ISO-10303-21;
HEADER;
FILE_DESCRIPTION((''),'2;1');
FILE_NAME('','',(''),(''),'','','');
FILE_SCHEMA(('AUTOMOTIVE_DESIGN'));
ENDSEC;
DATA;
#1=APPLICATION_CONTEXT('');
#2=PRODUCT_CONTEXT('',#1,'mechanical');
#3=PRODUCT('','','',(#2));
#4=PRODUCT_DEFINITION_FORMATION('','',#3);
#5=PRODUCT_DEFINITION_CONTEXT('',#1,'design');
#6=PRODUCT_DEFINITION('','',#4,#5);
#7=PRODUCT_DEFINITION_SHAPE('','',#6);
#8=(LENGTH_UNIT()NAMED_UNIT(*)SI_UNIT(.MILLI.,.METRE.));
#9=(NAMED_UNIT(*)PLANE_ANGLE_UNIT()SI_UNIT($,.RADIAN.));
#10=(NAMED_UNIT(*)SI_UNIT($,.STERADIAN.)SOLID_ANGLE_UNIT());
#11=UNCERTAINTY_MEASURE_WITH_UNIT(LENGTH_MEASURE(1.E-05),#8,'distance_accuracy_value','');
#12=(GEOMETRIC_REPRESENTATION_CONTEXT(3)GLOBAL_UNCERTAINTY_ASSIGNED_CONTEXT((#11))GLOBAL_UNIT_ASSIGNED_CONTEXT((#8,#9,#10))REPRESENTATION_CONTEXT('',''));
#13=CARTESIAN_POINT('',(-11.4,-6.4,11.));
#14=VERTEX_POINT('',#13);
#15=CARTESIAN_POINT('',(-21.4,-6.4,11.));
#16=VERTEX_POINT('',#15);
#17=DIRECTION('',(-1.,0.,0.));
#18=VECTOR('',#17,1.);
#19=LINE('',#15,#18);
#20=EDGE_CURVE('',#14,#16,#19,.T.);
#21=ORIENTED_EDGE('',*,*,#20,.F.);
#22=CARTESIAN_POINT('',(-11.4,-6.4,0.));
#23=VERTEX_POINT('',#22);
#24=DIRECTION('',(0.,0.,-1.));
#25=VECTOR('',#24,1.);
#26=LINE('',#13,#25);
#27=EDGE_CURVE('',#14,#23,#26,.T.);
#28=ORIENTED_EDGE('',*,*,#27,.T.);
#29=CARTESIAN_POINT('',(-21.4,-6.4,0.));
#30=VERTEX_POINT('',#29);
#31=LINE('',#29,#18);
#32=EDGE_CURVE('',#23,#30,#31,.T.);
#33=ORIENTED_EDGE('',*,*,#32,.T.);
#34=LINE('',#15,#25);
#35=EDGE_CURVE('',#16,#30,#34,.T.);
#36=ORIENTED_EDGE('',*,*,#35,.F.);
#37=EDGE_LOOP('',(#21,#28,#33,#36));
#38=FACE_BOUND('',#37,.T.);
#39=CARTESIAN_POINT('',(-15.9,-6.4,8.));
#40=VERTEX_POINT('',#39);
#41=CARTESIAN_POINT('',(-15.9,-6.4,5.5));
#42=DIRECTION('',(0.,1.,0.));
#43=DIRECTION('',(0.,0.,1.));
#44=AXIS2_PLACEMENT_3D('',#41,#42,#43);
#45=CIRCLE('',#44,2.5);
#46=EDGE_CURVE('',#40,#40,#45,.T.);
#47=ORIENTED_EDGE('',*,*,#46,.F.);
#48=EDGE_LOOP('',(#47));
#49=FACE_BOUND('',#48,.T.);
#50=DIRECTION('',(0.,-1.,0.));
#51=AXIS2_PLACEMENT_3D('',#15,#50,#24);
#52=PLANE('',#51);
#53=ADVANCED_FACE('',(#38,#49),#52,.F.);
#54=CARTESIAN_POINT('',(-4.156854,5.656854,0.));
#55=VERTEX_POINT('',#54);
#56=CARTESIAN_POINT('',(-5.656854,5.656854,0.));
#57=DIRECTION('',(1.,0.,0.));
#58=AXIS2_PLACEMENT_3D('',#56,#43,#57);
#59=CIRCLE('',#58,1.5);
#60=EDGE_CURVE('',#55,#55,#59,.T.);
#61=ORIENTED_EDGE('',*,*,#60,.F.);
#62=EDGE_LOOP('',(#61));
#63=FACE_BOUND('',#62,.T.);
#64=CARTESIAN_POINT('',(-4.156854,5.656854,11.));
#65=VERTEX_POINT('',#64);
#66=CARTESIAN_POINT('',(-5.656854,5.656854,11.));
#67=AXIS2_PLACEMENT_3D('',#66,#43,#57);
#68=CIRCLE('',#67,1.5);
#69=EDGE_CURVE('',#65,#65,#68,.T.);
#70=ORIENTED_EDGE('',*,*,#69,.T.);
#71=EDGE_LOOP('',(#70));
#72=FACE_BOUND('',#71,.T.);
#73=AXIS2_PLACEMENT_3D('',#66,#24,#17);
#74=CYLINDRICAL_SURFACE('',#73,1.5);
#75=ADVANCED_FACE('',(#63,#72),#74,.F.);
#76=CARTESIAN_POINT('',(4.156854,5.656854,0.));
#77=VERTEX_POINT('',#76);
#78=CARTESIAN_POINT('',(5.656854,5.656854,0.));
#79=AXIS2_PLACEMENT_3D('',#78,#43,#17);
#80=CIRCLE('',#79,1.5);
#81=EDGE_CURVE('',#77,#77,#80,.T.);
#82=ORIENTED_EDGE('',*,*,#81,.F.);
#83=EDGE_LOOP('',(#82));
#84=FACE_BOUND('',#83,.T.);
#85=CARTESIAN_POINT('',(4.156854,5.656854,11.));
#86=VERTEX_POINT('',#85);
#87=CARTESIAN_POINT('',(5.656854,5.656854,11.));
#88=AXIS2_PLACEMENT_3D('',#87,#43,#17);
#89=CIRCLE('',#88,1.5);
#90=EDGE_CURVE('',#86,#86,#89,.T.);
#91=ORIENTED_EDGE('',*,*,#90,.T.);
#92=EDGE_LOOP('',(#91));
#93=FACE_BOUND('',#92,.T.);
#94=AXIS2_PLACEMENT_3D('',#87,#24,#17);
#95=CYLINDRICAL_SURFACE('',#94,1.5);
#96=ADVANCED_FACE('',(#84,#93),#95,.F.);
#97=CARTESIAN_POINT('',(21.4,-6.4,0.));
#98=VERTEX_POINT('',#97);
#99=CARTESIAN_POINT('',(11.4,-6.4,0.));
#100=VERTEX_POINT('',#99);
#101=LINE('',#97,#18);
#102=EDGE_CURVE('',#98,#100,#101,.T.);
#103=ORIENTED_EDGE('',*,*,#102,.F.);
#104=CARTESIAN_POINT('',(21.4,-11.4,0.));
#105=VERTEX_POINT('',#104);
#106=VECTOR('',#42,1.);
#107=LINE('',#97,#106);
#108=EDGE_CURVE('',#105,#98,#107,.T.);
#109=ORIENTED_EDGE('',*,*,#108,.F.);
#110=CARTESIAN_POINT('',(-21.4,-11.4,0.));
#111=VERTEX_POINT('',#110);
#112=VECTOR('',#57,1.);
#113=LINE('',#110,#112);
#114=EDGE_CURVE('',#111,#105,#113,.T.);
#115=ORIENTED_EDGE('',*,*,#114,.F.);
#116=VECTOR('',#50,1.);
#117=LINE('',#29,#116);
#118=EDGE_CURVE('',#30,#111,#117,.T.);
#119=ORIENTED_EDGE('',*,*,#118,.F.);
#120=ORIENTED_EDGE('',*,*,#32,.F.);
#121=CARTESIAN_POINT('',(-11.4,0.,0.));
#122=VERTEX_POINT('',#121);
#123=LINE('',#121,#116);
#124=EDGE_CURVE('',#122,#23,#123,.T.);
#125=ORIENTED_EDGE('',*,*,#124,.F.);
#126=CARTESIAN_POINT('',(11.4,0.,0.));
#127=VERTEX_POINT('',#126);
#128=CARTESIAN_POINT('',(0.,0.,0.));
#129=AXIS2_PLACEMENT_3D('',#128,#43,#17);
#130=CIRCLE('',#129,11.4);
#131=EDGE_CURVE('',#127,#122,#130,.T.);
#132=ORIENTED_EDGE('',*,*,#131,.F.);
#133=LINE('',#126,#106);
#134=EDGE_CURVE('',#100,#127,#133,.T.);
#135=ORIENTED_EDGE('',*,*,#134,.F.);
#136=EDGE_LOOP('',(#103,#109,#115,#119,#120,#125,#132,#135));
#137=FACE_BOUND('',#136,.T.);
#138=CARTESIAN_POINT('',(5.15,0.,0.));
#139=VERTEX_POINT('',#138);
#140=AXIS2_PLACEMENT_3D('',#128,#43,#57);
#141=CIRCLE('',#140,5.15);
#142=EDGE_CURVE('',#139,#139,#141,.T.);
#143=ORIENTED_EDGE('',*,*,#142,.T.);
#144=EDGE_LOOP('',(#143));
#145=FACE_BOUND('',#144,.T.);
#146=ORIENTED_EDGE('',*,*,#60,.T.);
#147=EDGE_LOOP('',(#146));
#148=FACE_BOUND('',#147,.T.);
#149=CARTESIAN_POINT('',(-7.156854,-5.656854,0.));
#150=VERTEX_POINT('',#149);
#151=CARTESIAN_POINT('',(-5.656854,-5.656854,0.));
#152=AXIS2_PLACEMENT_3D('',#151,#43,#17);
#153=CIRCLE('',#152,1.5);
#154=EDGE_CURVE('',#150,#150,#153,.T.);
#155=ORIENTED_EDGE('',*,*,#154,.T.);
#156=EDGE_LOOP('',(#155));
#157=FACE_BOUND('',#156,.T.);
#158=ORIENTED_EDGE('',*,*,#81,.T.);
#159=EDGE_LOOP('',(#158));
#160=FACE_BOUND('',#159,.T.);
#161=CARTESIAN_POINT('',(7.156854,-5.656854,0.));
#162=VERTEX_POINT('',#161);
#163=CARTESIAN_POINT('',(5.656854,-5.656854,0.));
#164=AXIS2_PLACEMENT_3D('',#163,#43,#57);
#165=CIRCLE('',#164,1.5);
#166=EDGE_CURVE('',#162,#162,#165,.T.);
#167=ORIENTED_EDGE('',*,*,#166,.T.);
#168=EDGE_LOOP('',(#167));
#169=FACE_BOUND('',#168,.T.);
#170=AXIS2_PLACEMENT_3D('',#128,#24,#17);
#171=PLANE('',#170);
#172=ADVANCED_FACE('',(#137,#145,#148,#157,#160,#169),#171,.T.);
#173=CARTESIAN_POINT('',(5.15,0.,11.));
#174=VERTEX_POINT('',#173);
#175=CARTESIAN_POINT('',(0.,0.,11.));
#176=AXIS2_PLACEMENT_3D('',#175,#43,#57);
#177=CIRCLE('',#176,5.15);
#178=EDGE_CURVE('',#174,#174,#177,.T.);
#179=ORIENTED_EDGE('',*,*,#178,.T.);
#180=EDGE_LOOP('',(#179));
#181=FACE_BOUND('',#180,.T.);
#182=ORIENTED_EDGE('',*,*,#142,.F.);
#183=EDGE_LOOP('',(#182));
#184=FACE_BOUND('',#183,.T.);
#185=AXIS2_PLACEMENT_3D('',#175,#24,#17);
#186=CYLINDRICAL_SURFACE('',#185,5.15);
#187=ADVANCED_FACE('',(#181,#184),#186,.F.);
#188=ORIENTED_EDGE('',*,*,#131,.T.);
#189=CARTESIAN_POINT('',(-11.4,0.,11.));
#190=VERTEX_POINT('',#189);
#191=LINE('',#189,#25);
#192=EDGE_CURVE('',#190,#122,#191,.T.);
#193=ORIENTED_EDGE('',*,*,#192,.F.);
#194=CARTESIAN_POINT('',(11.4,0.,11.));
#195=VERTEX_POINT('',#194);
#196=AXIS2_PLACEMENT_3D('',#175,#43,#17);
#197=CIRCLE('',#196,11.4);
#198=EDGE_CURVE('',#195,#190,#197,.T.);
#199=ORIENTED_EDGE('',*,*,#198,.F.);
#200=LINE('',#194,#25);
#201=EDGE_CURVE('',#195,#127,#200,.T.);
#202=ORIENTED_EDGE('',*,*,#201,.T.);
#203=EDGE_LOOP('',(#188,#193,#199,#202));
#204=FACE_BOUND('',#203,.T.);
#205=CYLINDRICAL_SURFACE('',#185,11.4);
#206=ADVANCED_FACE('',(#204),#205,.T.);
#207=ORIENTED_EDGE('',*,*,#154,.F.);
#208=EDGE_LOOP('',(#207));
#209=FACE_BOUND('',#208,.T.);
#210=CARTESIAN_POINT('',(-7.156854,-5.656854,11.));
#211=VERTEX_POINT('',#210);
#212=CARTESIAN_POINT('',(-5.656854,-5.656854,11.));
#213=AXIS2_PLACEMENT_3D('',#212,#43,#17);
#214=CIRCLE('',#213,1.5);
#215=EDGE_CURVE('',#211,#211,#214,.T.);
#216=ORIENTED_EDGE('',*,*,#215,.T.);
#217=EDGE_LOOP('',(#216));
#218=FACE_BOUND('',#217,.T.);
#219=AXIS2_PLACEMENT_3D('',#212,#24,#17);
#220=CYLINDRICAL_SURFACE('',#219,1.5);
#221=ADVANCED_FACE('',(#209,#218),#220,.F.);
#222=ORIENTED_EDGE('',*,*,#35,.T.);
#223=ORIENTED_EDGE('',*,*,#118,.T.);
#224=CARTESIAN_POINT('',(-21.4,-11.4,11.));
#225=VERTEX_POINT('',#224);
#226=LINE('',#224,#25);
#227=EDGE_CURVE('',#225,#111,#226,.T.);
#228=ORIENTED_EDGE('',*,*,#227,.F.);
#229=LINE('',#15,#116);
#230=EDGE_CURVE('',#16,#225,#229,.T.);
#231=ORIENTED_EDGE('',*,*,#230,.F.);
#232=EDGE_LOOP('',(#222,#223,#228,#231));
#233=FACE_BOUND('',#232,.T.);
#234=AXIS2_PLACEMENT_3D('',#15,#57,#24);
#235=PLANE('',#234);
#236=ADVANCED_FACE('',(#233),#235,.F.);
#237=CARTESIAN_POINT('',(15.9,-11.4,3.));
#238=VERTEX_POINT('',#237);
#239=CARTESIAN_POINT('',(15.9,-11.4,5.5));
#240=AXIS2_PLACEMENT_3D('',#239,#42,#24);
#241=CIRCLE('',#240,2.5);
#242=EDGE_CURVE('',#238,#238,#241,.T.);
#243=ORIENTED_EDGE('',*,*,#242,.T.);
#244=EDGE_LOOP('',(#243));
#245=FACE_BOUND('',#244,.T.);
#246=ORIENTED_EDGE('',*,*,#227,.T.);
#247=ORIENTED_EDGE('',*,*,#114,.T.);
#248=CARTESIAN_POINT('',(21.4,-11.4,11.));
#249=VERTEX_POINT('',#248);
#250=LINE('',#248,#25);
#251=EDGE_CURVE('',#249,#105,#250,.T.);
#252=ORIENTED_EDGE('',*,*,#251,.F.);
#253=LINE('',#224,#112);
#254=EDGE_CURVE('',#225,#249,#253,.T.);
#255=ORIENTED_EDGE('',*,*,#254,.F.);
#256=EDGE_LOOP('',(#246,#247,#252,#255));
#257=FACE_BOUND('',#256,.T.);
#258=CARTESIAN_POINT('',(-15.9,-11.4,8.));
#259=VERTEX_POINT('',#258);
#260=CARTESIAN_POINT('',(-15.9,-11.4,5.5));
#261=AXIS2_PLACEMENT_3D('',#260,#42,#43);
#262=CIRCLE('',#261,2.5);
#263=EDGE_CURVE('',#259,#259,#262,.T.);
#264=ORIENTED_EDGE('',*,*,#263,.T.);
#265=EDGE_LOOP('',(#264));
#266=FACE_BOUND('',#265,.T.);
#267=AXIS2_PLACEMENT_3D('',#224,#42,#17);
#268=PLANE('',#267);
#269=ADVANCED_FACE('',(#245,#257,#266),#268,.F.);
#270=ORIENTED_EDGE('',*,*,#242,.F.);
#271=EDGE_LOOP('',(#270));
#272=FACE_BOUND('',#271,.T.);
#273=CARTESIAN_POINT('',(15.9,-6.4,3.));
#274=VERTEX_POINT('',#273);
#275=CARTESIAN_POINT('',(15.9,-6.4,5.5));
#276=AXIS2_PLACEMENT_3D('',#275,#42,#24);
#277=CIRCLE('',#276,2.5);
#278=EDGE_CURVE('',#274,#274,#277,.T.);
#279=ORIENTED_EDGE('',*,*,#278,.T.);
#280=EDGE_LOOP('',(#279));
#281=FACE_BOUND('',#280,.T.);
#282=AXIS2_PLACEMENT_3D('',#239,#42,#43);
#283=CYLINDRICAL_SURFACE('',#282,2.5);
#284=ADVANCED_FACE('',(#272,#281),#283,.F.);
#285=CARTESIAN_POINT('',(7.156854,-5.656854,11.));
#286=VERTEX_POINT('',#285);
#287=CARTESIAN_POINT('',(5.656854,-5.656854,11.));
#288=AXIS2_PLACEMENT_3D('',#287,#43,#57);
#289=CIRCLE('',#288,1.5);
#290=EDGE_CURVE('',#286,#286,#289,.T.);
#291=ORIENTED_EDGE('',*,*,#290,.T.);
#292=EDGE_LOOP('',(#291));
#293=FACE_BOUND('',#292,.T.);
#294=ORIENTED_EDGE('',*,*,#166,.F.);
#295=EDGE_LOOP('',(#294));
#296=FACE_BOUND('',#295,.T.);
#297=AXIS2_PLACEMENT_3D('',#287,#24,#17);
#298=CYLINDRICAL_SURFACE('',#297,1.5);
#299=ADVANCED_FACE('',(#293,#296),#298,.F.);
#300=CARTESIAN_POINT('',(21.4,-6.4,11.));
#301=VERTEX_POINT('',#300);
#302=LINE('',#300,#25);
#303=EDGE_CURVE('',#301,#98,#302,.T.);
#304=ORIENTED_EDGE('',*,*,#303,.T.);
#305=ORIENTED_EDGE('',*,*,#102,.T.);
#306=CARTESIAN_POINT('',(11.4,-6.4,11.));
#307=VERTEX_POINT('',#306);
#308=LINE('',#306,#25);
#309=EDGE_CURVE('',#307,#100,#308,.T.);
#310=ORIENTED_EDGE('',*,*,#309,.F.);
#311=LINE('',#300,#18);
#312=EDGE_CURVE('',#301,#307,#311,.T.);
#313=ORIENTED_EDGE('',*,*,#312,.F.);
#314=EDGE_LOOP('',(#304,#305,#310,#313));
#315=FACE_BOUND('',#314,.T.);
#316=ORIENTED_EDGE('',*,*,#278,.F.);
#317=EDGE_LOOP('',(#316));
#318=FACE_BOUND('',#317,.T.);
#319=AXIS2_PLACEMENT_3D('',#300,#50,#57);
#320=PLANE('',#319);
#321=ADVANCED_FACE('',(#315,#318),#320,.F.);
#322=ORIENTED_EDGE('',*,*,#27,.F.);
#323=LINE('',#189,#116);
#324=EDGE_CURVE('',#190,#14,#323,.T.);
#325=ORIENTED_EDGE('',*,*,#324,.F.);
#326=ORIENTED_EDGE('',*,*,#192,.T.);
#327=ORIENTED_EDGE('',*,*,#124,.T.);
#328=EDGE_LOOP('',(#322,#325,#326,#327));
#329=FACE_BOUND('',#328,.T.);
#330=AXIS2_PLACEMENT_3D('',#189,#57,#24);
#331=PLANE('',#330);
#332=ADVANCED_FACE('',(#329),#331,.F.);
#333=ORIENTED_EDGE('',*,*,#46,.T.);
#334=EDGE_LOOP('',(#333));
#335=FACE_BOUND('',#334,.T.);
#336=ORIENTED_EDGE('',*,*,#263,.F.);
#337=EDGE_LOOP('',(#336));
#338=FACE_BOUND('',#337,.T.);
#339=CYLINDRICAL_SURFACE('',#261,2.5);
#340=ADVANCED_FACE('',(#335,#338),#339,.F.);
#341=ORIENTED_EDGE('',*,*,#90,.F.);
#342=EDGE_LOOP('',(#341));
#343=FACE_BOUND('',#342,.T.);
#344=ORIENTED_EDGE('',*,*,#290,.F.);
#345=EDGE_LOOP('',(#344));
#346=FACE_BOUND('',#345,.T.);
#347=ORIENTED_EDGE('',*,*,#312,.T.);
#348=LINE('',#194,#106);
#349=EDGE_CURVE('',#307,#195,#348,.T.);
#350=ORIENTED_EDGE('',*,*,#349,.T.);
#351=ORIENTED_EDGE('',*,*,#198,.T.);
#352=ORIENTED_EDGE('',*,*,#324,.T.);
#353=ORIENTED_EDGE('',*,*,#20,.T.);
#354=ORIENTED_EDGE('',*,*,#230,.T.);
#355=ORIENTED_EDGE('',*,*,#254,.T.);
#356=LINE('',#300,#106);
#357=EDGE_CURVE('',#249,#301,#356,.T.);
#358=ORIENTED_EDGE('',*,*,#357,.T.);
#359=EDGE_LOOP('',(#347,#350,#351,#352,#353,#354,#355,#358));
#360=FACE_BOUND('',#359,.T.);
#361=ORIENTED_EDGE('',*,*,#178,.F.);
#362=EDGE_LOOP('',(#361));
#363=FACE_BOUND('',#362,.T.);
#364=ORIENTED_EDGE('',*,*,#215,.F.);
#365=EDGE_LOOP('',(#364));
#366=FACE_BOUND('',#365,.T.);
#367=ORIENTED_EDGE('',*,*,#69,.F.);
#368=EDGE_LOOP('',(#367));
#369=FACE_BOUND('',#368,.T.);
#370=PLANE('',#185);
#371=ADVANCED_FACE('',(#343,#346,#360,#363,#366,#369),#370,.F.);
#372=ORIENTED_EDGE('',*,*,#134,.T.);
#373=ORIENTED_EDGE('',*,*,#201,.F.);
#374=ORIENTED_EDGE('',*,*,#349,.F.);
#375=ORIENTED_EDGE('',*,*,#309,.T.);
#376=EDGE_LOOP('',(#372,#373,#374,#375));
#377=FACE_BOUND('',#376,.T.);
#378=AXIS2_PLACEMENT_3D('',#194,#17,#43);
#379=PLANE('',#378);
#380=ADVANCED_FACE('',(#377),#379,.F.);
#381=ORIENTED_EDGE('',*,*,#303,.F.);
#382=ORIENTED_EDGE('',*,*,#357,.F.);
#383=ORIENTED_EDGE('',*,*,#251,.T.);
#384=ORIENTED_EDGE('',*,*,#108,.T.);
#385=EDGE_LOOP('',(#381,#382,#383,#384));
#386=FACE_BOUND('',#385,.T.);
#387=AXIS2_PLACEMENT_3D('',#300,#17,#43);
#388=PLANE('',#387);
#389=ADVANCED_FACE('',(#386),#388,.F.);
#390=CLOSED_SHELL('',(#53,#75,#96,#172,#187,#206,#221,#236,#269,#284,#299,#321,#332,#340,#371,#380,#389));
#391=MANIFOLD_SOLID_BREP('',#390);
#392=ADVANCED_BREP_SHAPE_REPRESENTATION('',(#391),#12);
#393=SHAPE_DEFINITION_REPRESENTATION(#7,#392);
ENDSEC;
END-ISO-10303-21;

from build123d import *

# Parameters (mm, degrees)
SKETCH1_R           = 5.15
SKETCH1_R_2         = 1.5
BOSS_EXTRUDE1_DEPTH = 11
SKETCH2_R           = 2.5
CUT_EXTRUDE1_DEPTH  = 6


with BuildPart() as part:
    # Sketch1 → Boss-Extrude1 (new body)
    with BuildSketch(Plane.XY):
        with BuildLine():
            Line((-21.4, -6.4), (-11.4, -6.4))
            Line((-11.4, -6.4), (-11.4, 0))
            ThreePointArc((-11.4, 0), (0, 11.4), (11.4, 0))
            Line((11.4, 0), (11.4, -6.4))
            Line((11.4, -6.4), (21.4, -6.4))
            Line((21.4, -6.4), (21.4, -11.4))
            Line((21.4, -11.4), (-21.4, -11.4))
            Line((-21.4, -11.4), (-21.4, -6.4))
        make_face()
        Circle(SKETCH1_R, mode=Mode.SUBTRACT)
        with Locations((-5.656854249, 5.656854249)):
            Circle(SKETCH1_R_2, mode=Mode.SUBTRACT)
        with Locations((5.656854249, 5.656854249)):
            Circle(SKETCH1_R_2, mode=Mode.SUBTRACT)
        with Locations((-5.656854249, -5.656854249)):
            Circle(SKETCH1_R_2, mode=Mode.SUBTRACT)
        with Locations((5.656854249, -5.656854249)):
            Circle(SKETCH1_R_2, mode=Mode.SUBTRACT)
    extrude(amount=BOSS_EXTRUDE1_DEPTH)

    # Sketch2 → Cut-Extrude1 (cut, through all)
    with BuildSketch(Plane(origin=(0, -6.4, 0), x_dir=(1, 0, 0), z_dir=(0, 1, 0))):
        with Locations((-15.9, -5.5)):
            Circle(SKETCH2_R)
        with Locations((15.9, -5.5)):
            Circle(SKETCH2_R)
    extrude(amount=-CUT_EXTRUDE1_DEPTH, mode=Mode.SUBTRACT)


solid = part.part
